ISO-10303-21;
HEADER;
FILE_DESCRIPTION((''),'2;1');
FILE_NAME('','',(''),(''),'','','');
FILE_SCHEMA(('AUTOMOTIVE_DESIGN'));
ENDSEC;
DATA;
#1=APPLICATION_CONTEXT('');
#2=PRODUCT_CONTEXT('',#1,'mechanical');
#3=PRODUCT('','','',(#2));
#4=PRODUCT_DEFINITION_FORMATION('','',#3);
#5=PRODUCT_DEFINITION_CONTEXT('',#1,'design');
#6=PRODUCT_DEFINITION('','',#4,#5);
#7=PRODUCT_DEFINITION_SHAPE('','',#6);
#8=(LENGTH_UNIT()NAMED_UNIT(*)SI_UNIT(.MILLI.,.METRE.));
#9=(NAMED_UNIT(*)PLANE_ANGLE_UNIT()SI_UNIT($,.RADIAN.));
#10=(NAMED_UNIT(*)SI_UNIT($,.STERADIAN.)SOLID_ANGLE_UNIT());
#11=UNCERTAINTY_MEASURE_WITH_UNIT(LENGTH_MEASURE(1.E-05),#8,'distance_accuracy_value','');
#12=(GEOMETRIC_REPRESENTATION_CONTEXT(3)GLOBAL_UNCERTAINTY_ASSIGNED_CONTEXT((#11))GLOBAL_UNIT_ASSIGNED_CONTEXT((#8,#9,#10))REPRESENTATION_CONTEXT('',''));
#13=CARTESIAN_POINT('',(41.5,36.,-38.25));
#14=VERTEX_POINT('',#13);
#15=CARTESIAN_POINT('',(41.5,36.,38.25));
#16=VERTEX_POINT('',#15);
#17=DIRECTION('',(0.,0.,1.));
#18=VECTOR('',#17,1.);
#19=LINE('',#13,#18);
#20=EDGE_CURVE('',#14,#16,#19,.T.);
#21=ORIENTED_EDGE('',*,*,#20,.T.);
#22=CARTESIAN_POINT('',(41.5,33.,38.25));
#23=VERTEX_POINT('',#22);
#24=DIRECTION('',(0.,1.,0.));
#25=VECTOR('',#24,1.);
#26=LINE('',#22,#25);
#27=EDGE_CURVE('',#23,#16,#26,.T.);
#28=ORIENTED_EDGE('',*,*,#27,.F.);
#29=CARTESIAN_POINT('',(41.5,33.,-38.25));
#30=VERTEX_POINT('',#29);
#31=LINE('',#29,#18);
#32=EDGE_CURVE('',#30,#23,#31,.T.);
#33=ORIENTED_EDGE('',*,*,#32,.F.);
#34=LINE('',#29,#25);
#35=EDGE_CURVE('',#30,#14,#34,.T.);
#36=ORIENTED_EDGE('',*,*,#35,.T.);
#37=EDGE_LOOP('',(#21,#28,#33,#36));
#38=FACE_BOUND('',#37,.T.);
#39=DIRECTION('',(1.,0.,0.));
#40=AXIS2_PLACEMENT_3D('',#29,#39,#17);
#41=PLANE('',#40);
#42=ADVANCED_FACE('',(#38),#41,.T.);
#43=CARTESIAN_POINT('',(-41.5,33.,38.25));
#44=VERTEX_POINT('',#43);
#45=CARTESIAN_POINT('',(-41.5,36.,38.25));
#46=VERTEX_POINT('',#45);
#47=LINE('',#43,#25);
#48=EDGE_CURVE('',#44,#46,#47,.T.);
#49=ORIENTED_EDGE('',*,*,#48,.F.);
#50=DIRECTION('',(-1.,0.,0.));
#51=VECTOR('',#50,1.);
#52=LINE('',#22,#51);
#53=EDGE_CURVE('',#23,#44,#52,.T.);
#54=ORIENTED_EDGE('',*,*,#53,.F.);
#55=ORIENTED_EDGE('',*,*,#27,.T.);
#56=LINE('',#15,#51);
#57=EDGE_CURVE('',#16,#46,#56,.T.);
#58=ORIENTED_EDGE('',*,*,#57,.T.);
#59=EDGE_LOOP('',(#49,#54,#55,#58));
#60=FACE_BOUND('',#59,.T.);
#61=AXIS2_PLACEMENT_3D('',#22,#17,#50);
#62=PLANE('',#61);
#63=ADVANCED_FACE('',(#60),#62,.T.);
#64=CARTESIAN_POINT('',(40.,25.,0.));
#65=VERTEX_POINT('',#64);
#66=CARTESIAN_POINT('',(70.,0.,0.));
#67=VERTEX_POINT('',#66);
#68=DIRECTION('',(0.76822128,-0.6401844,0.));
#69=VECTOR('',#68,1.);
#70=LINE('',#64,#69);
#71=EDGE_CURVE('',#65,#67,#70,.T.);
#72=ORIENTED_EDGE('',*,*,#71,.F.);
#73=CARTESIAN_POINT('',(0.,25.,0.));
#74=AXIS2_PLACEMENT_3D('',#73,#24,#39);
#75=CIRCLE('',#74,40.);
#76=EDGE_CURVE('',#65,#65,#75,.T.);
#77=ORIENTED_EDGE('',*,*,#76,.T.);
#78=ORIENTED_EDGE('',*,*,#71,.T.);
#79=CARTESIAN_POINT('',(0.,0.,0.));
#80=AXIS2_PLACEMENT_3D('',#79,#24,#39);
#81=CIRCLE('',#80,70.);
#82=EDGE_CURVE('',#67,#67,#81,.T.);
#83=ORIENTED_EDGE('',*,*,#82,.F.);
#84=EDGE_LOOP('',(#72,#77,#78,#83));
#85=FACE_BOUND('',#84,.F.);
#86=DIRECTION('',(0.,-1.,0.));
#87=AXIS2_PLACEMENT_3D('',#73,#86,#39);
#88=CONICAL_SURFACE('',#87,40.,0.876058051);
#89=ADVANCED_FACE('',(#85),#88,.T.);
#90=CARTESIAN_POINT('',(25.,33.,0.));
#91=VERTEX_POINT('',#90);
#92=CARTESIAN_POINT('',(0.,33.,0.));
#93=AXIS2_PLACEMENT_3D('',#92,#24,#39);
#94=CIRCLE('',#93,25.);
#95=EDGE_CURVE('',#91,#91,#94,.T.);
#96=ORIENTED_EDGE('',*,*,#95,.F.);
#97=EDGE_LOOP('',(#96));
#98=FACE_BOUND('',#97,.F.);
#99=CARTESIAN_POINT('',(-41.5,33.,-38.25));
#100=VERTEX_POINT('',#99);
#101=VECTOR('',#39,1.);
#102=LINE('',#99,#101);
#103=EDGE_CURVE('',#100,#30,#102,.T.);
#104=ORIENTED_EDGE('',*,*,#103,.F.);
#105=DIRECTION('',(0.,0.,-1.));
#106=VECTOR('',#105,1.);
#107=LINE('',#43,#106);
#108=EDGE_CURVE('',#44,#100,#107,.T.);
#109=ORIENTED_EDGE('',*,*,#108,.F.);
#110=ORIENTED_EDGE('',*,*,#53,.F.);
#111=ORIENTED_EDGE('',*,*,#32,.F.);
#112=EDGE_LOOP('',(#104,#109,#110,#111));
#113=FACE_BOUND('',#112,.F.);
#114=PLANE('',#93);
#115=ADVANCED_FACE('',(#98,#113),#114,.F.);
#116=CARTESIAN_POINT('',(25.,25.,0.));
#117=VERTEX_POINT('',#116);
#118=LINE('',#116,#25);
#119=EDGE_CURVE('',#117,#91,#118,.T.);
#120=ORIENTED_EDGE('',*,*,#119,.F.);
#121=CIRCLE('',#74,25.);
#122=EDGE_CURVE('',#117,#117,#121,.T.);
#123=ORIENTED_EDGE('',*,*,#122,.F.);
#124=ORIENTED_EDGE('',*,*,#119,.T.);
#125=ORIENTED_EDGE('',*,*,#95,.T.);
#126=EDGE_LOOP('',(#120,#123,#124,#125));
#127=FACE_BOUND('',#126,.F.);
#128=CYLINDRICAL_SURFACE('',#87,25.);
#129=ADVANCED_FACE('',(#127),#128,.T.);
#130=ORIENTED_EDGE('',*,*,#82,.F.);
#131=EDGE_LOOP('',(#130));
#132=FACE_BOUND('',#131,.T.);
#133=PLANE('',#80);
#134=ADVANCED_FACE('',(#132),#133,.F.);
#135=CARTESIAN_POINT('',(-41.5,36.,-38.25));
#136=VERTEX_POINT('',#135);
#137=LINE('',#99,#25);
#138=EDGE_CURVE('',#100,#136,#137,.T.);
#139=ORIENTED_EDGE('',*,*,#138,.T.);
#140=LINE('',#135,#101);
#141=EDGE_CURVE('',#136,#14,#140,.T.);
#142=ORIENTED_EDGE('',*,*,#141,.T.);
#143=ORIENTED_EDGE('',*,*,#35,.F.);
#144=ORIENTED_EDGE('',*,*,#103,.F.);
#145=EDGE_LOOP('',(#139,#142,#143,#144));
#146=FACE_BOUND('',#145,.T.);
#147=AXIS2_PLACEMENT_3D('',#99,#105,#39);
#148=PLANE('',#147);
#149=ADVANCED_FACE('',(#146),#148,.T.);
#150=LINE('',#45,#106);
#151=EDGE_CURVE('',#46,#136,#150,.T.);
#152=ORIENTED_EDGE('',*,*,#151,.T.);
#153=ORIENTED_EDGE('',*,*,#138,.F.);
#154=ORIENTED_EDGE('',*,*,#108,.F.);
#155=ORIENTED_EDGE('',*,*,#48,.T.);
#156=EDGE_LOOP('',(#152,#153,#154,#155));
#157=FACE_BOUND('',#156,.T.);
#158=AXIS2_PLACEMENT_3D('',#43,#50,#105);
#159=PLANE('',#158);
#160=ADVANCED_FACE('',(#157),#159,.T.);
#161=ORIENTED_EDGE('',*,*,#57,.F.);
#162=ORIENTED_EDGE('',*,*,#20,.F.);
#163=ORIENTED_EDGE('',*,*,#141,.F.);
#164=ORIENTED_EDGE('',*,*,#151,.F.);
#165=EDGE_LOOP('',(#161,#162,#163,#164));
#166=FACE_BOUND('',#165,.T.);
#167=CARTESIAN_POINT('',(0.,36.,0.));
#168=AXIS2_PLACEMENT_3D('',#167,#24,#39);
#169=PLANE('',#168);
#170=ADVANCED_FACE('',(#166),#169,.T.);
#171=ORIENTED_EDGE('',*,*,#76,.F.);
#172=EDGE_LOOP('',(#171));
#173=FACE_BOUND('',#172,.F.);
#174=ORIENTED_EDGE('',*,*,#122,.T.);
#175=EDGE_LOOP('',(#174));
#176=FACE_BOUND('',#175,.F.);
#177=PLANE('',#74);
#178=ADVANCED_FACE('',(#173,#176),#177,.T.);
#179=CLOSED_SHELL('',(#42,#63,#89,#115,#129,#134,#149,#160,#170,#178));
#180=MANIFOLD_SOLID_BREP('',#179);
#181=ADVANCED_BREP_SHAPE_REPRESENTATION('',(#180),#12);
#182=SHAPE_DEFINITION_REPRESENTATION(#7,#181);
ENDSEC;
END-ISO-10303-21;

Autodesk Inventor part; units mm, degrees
ref_plane "YZ Plane" through (0, 0, 0) normal (1, 0, 0) x (0, 1, 0)
ref_plane "XZ Plane" through (0, 0, 0) normal (0, 1, 0) x (-1, 0, 0)
ref_plane "XY Plane" through (0, 0, 0) normal (0, 0, 1) x (1, 0, 0)
sketch "Sketch2" plane through (0, 0, 0) normal (0, 0, 1) x (1, 0, 0)
  line L0 (0, 0) -> (70, 0)
  line L1 (0, 0) -> (0, 25)
  line L2 (0, 25) -> (40, 25)
  line L3 (40, 25) -> (70, 0)
  dimension "d0" = 70
  dimension "d1" = 25
  dimension "d2" = 40
revolve "Revolution1" add sketch "Sketch2" angle 360 about axis through (0, 0, 0) along (0, 1, 0)
sketch "Sketch3" plane through (0, 25, 0) normal (0, 1, 0) x (1, 0, 0)
  circle A0 centre (0, 0) radius 25
  dimension "d4" = 50
extrude "Extrusion1" add sketch "Sketch3" along normal blind 8
sketch "Sketch4" plane through (0, 33, 0) normal (0, 1, 0) x (1, 0, 0)
  line L0 (-41.5, 38.25) -> (41.5, 38.25)
  line L1 (41.5, 38.25) -> (41.5, -38.25)
  line L2 (41.5, -38.25) -> (-41.5, -38.25)
  line L3 (-41.5, -38.25) -> (-41.5, 38.25)
  point P0 (0, 0)
  point P1 (0, -38.25)
  point P2 (-41.5, 0)
  dimension "d7" = 83
  dimension "d8" = 76.5
extrude "Extrusion2" add sketch "Sketch4" along normal blind 3
properties part number "Pomodoro Robot Base"
